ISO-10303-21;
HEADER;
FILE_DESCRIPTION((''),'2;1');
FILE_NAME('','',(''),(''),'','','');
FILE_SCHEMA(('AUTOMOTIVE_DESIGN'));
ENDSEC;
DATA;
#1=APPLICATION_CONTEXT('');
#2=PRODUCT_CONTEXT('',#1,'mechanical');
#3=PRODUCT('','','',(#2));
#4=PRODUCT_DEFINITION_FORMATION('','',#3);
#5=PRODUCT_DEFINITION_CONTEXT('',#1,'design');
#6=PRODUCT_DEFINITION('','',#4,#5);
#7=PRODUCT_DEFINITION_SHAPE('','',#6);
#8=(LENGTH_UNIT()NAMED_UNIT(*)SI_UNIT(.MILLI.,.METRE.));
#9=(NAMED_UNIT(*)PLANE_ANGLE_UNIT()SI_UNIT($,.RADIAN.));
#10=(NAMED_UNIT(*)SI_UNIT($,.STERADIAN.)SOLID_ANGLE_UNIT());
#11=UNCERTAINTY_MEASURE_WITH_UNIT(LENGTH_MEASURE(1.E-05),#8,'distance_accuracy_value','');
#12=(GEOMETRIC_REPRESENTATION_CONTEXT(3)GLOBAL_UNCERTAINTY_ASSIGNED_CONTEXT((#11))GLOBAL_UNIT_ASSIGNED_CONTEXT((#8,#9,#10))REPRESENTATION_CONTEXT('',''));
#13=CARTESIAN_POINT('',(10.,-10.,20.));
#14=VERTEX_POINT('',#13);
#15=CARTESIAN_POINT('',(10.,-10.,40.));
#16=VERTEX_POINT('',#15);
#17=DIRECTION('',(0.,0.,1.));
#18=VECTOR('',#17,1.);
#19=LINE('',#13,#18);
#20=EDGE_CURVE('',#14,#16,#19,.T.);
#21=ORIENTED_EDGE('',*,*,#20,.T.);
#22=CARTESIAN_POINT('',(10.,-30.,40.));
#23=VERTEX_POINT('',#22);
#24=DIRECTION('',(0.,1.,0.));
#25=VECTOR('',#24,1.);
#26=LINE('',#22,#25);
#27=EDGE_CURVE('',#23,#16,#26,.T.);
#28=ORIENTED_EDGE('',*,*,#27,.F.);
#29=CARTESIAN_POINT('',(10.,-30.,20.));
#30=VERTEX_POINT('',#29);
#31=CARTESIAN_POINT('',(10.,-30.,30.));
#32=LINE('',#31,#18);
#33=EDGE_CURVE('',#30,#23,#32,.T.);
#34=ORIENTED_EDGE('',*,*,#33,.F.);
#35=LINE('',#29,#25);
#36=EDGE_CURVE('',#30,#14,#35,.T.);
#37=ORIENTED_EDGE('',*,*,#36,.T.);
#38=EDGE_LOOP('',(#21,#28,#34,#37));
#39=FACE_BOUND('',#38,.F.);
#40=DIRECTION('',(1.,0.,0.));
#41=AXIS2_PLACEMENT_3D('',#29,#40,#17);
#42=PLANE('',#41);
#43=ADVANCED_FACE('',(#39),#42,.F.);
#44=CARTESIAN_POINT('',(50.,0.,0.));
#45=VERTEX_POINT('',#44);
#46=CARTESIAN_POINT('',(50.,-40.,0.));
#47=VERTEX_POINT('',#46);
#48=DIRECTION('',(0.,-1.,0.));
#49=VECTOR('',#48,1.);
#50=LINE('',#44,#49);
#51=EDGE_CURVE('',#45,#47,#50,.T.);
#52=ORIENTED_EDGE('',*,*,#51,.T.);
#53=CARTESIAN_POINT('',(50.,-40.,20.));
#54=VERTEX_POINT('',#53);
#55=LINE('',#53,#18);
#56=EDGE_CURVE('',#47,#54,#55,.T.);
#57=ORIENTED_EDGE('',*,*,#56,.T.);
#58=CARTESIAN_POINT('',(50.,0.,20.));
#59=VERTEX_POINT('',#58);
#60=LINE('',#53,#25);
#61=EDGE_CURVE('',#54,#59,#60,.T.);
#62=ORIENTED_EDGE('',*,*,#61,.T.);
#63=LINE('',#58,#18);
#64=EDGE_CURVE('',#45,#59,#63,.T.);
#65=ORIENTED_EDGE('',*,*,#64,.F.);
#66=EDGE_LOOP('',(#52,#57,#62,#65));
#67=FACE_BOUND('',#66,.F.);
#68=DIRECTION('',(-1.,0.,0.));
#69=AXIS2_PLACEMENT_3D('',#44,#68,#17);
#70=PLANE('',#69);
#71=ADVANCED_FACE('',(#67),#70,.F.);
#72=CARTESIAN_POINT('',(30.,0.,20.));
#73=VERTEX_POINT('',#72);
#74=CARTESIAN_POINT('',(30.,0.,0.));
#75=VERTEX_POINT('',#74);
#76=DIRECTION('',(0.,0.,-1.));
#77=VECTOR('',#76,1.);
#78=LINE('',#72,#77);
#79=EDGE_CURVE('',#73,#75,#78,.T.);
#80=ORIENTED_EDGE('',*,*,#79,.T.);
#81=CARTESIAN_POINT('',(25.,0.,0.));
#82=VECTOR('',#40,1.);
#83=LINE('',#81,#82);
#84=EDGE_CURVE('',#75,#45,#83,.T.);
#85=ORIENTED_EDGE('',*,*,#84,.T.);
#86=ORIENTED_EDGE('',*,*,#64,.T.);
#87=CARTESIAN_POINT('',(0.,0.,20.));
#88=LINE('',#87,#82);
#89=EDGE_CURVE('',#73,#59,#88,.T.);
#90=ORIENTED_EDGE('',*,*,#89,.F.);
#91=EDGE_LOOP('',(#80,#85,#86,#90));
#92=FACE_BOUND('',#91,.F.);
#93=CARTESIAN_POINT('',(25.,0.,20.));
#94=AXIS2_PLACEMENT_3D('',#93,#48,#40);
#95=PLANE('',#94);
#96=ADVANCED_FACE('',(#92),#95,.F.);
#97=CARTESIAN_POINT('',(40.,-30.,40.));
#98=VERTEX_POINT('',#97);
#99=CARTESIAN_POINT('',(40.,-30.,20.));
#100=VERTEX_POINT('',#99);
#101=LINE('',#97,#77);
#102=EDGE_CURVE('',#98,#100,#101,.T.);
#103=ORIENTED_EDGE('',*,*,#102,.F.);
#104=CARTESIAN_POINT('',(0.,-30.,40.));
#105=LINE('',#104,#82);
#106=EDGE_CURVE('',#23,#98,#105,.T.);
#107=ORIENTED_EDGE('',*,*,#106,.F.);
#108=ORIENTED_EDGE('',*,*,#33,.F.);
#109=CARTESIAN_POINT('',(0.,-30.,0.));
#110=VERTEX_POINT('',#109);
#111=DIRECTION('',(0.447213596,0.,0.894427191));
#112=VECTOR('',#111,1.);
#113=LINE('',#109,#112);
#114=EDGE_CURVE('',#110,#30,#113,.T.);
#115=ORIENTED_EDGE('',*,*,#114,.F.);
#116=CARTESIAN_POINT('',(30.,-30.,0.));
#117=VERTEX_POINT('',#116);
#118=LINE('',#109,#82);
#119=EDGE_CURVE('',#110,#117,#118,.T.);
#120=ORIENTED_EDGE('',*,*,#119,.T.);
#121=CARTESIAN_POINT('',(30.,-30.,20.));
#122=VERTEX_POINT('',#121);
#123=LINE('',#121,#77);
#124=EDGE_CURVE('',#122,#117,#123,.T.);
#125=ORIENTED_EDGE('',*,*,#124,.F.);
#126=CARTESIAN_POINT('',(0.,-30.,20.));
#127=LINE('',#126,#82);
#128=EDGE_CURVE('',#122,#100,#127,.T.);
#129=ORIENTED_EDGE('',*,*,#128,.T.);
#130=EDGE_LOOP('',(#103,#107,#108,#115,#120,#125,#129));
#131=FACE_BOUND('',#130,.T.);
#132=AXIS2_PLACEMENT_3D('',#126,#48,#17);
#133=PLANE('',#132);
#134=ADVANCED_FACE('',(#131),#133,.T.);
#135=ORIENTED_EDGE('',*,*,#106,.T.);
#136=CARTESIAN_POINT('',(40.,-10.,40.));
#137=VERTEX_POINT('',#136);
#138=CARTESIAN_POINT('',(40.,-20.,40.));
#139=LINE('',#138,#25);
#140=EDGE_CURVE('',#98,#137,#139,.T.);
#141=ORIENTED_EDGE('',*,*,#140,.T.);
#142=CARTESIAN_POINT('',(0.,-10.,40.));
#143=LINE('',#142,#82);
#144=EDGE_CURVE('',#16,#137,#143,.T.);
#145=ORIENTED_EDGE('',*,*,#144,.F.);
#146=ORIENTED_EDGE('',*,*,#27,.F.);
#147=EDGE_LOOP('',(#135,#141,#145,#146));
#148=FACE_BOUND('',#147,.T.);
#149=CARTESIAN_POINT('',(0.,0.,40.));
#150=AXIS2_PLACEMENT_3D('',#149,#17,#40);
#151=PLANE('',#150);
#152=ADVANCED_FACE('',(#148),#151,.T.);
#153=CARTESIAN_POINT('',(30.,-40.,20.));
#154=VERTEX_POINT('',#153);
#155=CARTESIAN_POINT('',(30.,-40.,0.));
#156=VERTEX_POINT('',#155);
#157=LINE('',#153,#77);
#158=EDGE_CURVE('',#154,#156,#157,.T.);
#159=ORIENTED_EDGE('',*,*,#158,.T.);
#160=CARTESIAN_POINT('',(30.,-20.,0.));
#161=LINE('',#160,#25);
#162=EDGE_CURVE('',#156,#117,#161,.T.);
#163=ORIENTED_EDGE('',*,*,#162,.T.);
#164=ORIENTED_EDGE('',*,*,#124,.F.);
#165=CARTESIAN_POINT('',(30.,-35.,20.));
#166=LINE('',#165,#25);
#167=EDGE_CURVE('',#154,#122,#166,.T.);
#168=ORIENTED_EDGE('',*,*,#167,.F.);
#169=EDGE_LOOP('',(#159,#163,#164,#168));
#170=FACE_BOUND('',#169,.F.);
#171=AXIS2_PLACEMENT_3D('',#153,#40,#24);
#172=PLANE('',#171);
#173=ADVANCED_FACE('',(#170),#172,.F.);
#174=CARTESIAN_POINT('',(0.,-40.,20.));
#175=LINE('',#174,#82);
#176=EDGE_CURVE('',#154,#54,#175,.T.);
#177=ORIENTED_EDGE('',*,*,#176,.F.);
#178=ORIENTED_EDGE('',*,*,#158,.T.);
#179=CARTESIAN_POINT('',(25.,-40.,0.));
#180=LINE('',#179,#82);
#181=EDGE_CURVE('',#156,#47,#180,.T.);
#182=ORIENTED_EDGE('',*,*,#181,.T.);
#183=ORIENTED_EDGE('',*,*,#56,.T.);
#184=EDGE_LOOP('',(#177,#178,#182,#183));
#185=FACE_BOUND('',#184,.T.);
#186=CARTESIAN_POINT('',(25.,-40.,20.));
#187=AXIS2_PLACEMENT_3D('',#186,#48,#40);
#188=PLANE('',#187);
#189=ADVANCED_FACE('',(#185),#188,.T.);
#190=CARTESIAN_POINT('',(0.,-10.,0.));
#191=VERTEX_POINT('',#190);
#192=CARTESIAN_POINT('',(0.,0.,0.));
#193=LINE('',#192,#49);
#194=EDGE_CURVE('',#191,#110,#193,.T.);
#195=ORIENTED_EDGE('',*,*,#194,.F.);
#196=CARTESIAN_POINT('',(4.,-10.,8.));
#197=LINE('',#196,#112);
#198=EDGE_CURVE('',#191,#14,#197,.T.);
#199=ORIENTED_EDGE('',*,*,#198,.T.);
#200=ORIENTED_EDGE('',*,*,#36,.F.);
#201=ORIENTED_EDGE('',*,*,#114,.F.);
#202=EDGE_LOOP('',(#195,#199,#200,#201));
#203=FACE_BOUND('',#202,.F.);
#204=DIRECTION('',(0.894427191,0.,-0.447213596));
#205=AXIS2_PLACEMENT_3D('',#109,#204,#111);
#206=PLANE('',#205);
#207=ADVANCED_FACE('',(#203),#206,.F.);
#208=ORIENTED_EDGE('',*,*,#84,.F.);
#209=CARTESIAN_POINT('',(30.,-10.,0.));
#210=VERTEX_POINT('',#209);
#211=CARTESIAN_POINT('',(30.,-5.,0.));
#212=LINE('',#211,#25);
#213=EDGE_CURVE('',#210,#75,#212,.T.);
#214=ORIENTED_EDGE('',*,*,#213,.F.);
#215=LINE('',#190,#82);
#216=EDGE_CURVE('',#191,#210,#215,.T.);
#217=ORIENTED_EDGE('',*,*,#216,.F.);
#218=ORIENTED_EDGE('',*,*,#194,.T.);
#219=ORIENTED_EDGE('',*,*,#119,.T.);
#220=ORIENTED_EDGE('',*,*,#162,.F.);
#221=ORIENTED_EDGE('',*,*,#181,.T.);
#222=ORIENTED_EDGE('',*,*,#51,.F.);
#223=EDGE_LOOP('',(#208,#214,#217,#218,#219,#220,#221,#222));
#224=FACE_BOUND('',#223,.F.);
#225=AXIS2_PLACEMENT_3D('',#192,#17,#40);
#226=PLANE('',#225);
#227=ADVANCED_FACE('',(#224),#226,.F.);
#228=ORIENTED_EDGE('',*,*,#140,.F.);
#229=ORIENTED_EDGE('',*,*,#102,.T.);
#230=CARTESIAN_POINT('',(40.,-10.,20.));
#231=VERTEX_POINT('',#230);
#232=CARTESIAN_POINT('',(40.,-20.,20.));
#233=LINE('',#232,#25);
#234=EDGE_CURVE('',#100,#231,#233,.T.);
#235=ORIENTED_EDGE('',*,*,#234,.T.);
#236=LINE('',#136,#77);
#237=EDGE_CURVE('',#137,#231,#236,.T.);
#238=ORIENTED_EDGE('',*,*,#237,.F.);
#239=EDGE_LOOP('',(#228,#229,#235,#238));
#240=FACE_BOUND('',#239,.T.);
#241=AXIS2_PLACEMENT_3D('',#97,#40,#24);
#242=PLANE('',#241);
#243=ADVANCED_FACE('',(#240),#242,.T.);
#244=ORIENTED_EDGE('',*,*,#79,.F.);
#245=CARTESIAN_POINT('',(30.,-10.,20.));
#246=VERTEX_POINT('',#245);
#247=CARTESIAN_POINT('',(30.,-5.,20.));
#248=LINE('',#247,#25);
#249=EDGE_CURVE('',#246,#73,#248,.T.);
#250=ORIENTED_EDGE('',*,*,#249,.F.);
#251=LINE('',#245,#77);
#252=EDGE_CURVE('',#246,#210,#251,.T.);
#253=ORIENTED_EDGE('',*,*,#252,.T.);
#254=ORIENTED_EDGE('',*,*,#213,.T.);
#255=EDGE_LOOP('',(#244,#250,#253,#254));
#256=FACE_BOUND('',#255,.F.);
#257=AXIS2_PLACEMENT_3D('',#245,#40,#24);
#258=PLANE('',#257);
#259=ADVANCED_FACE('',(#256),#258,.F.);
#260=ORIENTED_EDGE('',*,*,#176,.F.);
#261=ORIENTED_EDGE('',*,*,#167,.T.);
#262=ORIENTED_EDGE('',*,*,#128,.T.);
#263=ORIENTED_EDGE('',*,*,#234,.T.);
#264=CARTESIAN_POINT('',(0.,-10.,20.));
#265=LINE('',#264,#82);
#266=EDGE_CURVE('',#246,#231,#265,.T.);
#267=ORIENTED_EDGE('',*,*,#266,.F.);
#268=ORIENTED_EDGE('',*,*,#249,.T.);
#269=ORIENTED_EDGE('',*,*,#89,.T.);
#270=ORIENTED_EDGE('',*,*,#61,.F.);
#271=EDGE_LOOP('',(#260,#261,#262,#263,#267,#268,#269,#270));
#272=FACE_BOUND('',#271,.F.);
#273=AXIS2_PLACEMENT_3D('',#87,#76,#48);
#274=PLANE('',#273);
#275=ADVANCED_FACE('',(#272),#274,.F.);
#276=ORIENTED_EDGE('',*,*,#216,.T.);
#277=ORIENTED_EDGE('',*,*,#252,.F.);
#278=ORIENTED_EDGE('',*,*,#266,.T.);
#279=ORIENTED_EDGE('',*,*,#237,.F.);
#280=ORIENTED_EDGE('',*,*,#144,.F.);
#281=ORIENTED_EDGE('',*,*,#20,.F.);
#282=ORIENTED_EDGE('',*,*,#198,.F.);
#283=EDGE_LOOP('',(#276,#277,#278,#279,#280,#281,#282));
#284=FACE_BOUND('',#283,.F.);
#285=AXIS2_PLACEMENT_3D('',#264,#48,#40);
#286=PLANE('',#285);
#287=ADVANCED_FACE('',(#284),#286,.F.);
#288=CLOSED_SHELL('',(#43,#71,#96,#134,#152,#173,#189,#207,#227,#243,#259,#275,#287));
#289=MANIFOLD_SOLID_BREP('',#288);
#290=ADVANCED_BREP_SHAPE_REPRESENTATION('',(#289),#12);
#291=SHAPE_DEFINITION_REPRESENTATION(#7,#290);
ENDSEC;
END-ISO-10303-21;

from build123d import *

# Parameters (mm, degrees)
F0_W     = 50
F0_H     = 40
F1_DEPTH = 40
F2_W     = 10
F2_H     = 20
F3_DEPTH = 50.001
F4_W     = 30
F4_H     = 10
F5_DEPTH = 20.001
F6_W     = 10
F6_H     = 20
F7_DEPTH = 20
F8_W     = 10
F8_H     = 20
F9_DEPTH = 30.001


with BuildPart() as f1:
    # F0 (on Front) → F1 (new body)
    with BuildSketch(Plane.XZ):
        with Locations((25, 20)):
            Rectangle(F0_W, F0_H)
    extrude(amount=F1_DEPTH)

    # F2 (on face) → F3 (cut, through all)
    with BuildSketch(Plane(origin=(0, 0, 0), x_dir=(0, -1, 0), z_dir=(-1, 0, 0))):
        with Locations((5, 30)):
            Rectangle(F2_W, F2_H)
        with Locations((35, 30)):
            Rectangle(F2_W, F2_H)
    extrude(amount=-F3_DEPTH, mode=Mode.SUBTRACT)

    # F4 (on face) → F5 (cut, through all)
    with BuildSketch(Plane.XY.offset(20)):
        with Locations((15, -5)):
            Rectangle(F4_W, F4_H)
        with Locations((15, -35)):
            Rectangle(F4_W, F4_H)
    extrude(amount=-F5_DEPTH, mode=Mode.SUBTRACT)

    # F6 (on face) → F7 (cut, through all)
    with BuildSketch(Plane.XY.offset(40)):
        with Locations((45, -20)):
            Rectangle(F6_W, F6_H)
    extrude(amount=-F7_DEPTH, mode=Mode.SUBTRACT)

    # F8 (on face) → F9 (cut, through all)
    with BuildSketch(Plane.XZ.offset(30)):
        with Locations((5, 30)):
            Rectangle(F8_W, F8_H)
        Polygon((10, 20), (0, 20), (0, 0), align=None)
    extrude(amount=-F9_DEPTH, mode=Mode.SUBTRACT)


solid = f1.part
